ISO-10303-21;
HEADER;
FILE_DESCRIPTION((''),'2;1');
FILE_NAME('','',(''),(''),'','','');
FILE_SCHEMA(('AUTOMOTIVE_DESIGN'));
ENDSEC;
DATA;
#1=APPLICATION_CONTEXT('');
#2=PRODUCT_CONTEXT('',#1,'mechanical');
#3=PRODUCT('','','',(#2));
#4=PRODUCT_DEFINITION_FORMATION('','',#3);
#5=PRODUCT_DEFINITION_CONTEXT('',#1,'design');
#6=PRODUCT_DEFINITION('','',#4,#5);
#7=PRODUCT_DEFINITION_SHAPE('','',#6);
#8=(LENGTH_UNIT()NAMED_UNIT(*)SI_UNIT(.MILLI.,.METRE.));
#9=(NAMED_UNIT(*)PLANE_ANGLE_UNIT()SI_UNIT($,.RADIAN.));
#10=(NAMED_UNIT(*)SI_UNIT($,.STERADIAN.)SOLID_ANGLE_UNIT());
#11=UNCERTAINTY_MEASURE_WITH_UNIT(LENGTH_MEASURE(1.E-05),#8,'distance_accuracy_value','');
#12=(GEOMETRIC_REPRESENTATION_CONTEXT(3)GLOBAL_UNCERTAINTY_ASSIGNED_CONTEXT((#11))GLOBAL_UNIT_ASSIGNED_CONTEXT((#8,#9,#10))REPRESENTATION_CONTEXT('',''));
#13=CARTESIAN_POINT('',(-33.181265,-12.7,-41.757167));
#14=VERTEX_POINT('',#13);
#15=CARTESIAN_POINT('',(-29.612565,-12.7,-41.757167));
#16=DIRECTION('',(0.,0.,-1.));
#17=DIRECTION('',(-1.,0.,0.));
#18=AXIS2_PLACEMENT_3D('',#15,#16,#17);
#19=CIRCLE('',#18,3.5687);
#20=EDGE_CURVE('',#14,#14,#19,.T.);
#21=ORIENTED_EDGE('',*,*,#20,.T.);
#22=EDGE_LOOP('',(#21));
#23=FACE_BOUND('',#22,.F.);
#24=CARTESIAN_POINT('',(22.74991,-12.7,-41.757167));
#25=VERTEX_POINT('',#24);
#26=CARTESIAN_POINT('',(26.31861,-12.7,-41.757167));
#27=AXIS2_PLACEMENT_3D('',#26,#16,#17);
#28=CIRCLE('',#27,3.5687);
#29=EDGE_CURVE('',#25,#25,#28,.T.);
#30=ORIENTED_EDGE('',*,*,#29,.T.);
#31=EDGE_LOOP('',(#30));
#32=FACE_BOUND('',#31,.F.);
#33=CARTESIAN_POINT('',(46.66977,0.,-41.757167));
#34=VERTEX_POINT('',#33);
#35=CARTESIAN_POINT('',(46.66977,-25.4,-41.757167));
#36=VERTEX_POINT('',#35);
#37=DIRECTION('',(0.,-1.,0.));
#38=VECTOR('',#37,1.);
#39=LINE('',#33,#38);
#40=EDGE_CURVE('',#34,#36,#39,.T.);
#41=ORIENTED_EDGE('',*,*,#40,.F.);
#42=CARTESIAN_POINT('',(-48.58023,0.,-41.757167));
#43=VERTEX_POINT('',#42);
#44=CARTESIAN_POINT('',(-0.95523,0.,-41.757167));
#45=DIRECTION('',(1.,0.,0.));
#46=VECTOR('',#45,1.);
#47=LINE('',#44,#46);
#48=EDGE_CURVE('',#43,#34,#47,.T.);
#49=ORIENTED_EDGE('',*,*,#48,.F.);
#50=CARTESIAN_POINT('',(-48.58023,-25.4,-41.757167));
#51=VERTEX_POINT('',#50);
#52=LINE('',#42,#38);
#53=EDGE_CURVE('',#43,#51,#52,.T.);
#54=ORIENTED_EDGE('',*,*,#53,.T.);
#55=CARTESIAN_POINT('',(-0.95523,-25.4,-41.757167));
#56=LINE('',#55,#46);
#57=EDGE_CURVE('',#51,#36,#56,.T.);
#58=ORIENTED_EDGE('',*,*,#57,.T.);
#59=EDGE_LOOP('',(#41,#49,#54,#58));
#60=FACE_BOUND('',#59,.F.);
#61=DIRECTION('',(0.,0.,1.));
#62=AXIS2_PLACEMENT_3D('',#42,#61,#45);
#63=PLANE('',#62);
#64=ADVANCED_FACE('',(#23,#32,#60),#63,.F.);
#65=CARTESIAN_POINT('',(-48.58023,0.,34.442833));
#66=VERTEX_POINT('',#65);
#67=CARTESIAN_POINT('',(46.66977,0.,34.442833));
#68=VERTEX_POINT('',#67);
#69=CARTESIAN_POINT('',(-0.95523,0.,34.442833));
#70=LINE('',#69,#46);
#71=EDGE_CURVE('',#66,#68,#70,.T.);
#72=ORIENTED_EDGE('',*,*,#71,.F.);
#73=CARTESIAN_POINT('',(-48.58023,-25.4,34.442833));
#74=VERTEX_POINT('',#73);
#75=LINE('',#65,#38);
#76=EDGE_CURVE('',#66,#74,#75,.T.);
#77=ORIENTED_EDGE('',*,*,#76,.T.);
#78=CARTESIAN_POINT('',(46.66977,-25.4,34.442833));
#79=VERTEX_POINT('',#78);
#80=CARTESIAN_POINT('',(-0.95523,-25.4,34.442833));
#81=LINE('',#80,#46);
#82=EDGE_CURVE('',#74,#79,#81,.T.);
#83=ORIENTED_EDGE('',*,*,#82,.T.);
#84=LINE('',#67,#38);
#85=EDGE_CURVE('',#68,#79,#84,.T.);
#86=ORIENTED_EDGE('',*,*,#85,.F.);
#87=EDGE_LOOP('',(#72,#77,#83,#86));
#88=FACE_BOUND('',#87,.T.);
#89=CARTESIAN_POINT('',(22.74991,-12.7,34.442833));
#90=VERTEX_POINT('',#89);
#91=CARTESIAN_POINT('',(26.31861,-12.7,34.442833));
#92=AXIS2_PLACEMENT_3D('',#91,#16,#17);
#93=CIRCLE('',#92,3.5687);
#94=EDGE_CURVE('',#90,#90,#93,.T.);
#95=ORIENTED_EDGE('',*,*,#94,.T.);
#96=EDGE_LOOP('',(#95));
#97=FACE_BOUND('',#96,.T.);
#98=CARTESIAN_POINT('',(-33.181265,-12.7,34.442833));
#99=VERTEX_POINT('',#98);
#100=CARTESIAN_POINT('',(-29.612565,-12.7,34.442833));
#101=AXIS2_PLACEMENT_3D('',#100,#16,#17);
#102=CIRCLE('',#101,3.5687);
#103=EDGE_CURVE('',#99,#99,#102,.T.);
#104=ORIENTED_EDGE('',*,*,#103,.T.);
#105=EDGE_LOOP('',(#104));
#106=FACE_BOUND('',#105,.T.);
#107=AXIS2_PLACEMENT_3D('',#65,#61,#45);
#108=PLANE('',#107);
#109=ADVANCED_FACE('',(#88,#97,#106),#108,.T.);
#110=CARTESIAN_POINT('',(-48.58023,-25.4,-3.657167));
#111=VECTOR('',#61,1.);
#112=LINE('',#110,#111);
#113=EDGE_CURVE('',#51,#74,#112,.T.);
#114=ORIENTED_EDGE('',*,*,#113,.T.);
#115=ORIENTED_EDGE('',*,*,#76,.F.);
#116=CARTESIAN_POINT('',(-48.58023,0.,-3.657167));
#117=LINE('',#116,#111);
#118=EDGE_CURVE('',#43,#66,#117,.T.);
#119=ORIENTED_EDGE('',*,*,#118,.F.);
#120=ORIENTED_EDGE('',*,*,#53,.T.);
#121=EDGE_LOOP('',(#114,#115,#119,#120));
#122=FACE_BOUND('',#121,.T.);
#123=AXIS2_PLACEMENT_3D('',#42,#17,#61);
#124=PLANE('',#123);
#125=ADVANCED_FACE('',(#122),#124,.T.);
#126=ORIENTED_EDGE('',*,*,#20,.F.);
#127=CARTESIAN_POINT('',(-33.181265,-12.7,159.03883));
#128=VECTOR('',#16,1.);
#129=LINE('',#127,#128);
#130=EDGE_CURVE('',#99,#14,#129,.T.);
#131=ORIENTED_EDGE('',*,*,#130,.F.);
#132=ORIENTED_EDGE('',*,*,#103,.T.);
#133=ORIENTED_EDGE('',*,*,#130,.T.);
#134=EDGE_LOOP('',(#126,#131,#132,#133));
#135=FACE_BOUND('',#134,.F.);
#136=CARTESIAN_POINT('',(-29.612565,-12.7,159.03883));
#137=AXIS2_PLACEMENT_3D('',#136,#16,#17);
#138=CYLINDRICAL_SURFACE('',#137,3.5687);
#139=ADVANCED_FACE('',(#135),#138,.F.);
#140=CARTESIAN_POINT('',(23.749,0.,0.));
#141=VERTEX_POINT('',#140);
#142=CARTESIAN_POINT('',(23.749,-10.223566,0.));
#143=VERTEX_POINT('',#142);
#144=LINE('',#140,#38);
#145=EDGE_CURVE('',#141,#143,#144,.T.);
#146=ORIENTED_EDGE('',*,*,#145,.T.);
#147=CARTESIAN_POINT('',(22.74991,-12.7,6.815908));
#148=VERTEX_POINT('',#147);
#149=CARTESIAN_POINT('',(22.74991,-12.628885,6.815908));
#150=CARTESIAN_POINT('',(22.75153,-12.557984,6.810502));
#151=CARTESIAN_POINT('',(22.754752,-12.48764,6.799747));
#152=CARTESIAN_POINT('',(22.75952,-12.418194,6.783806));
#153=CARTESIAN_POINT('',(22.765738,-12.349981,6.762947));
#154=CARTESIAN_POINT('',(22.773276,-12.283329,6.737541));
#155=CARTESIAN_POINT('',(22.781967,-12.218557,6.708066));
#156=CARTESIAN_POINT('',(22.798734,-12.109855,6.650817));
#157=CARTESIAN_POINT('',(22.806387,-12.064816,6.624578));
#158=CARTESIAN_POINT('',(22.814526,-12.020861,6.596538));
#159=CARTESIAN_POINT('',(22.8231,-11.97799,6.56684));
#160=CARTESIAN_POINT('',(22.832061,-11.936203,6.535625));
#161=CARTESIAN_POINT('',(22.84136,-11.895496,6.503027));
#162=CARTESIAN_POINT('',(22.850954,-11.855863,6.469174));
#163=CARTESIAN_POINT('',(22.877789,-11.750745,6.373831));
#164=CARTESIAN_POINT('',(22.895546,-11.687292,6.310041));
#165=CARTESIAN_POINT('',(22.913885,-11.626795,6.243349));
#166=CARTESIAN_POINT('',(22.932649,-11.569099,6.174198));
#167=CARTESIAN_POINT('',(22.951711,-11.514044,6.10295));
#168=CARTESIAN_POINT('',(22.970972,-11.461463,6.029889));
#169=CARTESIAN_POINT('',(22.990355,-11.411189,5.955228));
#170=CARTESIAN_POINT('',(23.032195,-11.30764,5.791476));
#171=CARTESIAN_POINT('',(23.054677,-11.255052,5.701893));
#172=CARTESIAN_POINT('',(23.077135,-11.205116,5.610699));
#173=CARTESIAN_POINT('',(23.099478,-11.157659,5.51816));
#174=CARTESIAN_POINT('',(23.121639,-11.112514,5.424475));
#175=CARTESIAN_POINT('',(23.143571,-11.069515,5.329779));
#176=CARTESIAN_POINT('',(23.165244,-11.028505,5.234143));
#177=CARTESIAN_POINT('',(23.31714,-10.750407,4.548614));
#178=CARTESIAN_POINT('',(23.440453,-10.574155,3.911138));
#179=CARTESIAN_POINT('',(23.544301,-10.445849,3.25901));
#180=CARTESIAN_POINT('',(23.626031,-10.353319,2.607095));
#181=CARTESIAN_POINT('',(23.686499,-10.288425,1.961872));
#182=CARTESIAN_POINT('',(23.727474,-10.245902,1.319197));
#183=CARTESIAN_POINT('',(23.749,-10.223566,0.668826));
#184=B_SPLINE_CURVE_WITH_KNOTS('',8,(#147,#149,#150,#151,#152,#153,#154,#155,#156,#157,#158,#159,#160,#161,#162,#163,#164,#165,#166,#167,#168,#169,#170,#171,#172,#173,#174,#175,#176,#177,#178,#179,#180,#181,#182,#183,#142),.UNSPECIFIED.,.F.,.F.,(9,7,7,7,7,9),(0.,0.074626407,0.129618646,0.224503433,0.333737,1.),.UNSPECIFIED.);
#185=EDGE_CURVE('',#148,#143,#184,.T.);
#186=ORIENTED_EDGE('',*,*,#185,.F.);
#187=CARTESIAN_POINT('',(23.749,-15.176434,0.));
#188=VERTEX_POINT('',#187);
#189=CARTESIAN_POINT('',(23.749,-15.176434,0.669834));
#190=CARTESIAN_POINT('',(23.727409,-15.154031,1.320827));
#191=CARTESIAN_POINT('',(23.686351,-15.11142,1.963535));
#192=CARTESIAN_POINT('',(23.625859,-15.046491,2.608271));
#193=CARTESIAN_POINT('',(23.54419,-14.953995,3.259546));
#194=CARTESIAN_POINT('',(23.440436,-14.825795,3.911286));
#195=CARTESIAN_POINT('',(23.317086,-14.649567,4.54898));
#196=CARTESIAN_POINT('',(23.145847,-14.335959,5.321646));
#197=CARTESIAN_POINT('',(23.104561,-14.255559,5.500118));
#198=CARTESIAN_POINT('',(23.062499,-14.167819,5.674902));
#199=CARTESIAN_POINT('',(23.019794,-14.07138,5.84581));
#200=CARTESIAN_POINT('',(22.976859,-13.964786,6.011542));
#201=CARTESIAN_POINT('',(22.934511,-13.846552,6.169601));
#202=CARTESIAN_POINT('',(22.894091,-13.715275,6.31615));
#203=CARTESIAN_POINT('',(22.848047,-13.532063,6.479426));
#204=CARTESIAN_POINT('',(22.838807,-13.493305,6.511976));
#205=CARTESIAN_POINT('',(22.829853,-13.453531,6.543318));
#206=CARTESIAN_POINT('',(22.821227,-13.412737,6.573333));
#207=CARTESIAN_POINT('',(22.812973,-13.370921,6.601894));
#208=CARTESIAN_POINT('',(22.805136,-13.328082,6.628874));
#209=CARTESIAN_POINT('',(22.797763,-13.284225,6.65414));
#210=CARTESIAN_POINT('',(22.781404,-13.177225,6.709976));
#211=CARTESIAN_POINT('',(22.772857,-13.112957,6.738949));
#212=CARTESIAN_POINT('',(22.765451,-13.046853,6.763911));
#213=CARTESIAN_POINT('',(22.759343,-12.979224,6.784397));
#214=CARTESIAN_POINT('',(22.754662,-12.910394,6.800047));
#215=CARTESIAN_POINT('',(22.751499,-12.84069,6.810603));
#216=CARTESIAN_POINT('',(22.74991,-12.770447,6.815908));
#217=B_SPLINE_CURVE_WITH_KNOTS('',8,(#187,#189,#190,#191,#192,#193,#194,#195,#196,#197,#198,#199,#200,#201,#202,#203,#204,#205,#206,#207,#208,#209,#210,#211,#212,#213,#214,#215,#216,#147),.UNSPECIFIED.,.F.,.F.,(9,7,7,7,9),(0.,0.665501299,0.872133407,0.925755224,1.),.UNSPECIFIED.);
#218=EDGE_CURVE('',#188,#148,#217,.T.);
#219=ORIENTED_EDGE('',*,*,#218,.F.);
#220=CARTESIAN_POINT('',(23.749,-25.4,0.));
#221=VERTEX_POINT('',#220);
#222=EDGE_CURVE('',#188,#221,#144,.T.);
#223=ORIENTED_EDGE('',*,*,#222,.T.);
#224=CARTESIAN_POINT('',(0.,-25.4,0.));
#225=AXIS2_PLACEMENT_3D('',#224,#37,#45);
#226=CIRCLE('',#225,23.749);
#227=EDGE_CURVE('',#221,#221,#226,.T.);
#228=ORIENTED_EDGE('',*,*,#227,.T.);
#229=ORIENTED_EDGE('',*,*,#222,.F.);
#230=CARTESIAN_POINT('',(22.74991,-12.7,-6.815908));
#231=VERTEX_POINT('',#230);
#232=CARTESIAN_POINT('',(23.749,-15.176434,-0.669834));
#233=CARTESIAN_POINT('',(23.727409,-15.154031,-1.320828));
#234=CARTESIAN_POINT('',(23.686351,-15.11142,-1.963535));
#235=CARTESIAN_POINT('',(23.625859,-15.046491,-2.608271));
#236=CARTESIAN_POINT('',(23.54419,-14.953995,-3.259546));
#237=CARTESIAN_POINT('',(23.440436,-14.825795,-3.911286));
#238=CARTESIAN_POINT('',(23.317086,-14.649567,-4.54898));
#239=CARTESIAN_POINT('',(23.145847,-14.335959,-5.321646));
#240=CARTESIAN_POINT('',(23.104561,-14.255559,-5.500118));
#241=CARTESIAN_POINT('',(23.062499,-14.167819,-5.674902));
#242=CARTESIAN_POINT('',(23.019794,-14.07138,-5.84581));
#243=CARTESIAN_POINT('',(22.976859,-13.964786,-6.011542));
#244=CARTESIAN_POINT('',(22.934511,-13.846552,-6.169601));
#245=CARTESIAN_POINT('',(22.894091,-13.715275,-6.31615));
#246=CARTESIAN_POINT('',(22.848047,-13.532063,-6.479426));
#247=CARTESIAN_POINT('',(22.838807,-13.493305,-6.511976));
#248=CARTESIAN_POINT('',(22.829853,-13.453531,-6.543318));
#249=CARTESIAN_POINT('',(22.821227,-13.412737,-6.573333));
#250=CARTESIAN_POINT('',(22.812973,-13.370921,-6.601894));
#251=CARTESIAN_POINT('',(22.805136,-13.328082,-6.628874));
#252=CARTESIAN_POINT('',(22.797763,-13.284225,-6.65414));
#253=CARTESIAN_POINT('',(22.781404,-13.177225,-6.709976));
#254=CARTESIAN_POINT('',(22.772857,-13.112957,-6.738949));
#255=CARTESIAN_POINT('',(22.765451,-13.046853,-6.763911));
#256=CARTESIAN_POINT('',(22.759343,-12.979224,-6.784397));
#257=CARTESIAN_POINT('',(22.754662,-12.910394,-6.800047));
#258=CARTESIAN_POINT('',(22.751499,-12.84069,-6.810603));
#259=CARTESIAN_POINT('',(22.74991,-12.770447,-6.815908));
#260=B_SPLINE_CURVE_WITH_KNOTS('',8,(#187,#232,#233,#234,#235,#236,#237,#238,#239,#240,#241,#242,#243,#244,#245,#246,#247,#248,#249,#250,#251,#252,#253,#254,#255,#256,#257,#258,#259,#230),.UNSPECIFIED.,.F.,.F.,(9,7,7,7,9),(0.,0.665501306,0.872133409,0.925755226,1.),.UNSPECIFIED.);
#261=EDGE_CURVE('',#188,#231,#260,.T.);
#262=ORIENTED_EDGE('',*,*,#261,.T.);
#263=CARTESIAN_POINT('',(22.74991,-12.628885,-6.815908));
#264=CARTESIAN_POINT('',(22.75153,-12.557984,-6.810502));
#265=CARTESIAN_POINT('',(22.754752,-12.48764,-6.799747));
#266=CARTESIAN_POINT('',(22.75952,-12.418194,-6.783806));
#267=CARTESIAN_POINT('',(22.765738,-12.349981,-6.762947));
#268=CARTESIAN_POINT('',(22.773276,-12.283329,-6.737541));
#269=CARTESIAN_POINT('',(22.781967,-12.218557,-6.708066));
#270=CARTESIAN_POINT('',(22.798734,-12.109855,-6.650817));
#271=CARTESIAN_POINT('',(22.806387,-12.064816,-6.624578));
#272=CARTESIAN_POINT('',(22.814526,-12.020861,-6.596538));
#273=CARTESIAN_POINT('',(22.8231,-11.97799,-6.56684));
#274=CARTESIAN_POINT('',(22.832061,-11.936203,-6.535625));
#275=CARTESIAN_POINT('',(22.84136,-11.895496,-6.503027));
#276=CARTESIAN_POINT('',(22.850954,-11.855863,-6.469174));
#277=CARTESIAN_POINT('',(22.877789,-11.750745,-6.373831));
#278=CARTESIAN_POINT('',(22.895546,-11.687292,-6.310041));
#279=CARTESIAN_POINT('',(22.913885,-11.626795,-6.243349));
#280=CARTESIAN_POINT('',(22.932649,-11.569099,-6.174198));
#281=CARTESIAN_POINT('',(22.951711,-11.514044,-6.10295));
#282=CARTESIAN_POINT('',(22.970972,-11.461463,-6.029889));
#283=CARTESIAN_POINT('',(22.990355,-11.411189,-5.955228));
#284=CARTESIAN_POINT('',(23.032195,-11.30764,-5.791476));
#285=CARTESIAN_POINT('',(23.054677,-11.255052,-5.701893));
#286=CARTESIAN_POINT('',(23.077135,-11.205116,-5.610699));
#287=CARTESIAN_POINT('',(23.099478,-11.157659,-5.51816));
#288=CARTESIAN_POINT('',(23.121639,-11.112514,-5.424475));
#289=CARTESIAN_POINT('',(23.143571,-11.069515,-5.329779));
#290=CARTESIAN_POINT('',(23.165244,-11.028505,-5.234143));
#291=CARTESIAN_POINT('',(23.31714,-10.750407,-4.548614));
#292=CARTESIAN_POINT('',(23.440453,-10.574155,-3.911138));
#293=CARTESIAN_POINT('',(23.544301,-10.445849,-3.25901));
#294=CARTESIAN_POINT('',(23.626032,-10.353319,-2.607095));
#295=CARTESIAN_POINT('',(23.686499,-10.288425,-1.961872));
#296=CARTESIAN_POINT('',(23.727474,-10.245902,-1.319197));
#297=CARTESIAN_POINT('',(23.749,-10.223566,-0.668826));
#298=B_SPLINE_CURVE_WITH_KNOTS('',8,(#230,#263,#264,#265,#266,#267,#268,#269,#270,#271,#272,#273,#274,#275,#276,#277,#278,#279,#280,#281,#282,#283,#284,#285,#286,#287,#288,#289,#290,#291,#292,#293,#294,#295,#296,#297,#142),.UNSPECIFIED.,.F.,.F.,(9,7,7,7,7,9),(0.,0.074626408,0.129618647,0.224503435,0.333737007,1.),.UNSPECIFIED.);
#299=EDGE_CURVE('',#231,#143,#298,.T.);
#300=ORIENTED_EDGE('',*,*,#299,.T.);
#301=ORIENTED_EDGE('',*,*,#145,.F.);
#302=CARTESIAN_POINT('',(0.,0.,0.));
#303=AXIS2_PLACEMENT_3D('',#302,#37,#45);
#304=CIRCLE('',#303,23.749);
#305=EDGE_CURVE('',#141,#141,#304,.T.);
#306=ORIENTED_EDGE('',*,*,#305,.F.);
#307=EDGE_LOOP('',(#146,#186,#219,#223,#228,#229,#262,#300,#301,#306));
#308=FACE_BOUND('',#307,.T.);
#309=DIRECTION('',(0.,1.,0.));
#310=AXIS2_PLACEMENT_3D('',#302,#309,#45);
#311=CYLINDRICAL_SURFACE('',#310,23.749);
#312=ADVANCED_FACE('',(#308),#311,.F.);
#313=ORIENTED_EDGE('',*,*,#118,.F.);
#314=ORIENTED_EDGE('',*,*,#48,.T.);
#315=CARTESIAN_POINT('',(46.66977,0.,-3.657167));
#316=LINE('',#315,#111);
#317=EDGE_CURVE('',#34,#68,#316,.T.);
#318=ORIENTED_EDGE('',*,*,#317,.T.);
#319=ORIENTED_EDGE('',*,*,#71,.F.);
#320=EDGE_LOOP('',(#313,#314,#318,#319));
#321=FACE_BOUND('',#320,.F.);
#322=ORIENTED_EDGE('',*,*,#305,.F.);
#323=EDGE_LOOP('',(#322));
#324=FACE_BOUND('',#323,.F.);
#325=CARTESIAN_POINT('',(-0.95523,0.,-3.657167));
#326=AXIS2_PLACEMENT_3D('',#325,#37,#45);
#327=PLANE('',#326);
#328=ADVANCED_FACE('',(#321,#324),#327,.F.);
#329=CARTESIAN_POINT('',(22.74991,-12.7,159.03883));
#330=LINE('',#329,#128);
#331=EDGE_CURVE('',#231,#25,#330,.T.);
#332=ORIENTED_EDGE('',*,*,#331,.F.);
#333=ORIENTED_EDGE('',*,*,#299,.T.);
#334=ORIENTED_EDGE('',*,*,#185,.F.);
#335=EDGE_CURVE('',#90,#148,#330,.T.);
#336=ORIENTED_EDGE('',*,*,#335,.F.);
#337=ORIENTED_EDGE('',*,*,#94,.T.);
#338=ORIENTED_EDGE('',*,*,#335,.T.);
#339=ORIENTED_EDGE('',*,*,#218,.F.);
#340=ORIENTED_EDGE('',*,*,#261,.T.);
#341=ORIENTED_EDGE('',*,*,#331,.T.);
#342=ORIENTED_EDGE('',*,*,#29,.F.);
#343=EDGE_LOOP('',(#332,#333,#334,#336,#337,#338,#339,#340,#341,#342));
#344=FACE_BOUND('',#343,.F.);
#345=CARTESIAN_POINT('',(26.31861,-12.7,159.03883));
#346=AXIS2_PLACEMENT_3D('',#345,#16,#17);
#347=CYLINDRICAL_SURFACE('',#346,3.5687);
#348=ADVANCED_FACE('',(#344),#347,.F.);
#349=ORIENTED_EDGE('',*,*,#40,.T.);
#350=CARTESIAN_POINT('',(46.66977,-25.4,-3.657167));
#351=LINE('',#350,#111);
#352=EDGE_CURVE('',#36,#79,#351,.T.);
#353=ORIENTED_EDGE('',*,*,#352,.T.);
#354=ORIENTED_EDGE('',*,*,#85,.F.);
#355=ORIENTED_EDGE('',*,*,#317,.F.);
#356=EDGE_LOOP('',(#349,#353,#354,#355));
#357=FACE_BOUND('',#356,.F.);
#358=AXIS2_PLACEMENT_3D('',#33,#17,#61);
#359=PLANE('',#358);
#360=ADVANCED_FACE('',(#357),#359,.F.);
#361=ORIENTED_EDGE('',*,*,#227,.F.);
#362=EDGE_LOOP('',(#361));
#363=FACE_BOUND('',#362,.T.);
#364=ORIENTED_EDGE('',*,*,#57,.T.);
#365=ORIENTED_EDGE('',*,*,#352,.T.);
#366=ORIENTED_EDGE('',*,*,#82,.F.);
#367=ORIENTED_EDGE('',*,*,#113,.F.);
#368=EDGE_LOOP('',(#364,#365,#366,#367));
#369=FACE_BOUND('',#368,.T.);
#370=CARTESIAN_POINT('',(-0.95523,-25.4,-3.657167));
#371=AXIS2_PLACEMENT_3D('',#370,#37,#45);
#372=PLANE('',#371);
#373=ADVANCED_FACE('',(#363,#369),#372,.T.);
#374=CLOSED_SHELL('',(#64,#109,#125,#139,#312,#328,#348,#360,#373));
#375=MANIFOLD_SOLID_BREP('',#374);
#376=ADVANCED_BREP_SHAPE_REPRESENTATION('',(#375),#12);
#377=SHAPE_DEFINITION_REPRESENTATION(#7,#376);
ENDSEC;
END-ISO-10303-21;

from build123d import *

# Parameters (mm, degrees)
F0_W     = 95.25
F0_H     = 76.2
F0_R     = 23.749
F1_DEPTH = 25.4
F3_D     = 7.1374


with BuildPart() as f1:
    # F0 (on Front) → F1 (new body)
    with BuildSketch(Plane.XZ):
        with Locations((-0.95523, -3.657167)):
            Rectangle(F0_W, F0_H)
        Circle(F0_R, mode=Mode.SUBTRACT)
    extrude(amount=F1_DEPTH)

    # F3 (through all)
    with Locations(Plane.XY.offset(34.442833)):
        with Locations((-29.612565, -12.7), (26.31861, -12.7)):
            Hole(F3_D / 2)


solid = f1.part
